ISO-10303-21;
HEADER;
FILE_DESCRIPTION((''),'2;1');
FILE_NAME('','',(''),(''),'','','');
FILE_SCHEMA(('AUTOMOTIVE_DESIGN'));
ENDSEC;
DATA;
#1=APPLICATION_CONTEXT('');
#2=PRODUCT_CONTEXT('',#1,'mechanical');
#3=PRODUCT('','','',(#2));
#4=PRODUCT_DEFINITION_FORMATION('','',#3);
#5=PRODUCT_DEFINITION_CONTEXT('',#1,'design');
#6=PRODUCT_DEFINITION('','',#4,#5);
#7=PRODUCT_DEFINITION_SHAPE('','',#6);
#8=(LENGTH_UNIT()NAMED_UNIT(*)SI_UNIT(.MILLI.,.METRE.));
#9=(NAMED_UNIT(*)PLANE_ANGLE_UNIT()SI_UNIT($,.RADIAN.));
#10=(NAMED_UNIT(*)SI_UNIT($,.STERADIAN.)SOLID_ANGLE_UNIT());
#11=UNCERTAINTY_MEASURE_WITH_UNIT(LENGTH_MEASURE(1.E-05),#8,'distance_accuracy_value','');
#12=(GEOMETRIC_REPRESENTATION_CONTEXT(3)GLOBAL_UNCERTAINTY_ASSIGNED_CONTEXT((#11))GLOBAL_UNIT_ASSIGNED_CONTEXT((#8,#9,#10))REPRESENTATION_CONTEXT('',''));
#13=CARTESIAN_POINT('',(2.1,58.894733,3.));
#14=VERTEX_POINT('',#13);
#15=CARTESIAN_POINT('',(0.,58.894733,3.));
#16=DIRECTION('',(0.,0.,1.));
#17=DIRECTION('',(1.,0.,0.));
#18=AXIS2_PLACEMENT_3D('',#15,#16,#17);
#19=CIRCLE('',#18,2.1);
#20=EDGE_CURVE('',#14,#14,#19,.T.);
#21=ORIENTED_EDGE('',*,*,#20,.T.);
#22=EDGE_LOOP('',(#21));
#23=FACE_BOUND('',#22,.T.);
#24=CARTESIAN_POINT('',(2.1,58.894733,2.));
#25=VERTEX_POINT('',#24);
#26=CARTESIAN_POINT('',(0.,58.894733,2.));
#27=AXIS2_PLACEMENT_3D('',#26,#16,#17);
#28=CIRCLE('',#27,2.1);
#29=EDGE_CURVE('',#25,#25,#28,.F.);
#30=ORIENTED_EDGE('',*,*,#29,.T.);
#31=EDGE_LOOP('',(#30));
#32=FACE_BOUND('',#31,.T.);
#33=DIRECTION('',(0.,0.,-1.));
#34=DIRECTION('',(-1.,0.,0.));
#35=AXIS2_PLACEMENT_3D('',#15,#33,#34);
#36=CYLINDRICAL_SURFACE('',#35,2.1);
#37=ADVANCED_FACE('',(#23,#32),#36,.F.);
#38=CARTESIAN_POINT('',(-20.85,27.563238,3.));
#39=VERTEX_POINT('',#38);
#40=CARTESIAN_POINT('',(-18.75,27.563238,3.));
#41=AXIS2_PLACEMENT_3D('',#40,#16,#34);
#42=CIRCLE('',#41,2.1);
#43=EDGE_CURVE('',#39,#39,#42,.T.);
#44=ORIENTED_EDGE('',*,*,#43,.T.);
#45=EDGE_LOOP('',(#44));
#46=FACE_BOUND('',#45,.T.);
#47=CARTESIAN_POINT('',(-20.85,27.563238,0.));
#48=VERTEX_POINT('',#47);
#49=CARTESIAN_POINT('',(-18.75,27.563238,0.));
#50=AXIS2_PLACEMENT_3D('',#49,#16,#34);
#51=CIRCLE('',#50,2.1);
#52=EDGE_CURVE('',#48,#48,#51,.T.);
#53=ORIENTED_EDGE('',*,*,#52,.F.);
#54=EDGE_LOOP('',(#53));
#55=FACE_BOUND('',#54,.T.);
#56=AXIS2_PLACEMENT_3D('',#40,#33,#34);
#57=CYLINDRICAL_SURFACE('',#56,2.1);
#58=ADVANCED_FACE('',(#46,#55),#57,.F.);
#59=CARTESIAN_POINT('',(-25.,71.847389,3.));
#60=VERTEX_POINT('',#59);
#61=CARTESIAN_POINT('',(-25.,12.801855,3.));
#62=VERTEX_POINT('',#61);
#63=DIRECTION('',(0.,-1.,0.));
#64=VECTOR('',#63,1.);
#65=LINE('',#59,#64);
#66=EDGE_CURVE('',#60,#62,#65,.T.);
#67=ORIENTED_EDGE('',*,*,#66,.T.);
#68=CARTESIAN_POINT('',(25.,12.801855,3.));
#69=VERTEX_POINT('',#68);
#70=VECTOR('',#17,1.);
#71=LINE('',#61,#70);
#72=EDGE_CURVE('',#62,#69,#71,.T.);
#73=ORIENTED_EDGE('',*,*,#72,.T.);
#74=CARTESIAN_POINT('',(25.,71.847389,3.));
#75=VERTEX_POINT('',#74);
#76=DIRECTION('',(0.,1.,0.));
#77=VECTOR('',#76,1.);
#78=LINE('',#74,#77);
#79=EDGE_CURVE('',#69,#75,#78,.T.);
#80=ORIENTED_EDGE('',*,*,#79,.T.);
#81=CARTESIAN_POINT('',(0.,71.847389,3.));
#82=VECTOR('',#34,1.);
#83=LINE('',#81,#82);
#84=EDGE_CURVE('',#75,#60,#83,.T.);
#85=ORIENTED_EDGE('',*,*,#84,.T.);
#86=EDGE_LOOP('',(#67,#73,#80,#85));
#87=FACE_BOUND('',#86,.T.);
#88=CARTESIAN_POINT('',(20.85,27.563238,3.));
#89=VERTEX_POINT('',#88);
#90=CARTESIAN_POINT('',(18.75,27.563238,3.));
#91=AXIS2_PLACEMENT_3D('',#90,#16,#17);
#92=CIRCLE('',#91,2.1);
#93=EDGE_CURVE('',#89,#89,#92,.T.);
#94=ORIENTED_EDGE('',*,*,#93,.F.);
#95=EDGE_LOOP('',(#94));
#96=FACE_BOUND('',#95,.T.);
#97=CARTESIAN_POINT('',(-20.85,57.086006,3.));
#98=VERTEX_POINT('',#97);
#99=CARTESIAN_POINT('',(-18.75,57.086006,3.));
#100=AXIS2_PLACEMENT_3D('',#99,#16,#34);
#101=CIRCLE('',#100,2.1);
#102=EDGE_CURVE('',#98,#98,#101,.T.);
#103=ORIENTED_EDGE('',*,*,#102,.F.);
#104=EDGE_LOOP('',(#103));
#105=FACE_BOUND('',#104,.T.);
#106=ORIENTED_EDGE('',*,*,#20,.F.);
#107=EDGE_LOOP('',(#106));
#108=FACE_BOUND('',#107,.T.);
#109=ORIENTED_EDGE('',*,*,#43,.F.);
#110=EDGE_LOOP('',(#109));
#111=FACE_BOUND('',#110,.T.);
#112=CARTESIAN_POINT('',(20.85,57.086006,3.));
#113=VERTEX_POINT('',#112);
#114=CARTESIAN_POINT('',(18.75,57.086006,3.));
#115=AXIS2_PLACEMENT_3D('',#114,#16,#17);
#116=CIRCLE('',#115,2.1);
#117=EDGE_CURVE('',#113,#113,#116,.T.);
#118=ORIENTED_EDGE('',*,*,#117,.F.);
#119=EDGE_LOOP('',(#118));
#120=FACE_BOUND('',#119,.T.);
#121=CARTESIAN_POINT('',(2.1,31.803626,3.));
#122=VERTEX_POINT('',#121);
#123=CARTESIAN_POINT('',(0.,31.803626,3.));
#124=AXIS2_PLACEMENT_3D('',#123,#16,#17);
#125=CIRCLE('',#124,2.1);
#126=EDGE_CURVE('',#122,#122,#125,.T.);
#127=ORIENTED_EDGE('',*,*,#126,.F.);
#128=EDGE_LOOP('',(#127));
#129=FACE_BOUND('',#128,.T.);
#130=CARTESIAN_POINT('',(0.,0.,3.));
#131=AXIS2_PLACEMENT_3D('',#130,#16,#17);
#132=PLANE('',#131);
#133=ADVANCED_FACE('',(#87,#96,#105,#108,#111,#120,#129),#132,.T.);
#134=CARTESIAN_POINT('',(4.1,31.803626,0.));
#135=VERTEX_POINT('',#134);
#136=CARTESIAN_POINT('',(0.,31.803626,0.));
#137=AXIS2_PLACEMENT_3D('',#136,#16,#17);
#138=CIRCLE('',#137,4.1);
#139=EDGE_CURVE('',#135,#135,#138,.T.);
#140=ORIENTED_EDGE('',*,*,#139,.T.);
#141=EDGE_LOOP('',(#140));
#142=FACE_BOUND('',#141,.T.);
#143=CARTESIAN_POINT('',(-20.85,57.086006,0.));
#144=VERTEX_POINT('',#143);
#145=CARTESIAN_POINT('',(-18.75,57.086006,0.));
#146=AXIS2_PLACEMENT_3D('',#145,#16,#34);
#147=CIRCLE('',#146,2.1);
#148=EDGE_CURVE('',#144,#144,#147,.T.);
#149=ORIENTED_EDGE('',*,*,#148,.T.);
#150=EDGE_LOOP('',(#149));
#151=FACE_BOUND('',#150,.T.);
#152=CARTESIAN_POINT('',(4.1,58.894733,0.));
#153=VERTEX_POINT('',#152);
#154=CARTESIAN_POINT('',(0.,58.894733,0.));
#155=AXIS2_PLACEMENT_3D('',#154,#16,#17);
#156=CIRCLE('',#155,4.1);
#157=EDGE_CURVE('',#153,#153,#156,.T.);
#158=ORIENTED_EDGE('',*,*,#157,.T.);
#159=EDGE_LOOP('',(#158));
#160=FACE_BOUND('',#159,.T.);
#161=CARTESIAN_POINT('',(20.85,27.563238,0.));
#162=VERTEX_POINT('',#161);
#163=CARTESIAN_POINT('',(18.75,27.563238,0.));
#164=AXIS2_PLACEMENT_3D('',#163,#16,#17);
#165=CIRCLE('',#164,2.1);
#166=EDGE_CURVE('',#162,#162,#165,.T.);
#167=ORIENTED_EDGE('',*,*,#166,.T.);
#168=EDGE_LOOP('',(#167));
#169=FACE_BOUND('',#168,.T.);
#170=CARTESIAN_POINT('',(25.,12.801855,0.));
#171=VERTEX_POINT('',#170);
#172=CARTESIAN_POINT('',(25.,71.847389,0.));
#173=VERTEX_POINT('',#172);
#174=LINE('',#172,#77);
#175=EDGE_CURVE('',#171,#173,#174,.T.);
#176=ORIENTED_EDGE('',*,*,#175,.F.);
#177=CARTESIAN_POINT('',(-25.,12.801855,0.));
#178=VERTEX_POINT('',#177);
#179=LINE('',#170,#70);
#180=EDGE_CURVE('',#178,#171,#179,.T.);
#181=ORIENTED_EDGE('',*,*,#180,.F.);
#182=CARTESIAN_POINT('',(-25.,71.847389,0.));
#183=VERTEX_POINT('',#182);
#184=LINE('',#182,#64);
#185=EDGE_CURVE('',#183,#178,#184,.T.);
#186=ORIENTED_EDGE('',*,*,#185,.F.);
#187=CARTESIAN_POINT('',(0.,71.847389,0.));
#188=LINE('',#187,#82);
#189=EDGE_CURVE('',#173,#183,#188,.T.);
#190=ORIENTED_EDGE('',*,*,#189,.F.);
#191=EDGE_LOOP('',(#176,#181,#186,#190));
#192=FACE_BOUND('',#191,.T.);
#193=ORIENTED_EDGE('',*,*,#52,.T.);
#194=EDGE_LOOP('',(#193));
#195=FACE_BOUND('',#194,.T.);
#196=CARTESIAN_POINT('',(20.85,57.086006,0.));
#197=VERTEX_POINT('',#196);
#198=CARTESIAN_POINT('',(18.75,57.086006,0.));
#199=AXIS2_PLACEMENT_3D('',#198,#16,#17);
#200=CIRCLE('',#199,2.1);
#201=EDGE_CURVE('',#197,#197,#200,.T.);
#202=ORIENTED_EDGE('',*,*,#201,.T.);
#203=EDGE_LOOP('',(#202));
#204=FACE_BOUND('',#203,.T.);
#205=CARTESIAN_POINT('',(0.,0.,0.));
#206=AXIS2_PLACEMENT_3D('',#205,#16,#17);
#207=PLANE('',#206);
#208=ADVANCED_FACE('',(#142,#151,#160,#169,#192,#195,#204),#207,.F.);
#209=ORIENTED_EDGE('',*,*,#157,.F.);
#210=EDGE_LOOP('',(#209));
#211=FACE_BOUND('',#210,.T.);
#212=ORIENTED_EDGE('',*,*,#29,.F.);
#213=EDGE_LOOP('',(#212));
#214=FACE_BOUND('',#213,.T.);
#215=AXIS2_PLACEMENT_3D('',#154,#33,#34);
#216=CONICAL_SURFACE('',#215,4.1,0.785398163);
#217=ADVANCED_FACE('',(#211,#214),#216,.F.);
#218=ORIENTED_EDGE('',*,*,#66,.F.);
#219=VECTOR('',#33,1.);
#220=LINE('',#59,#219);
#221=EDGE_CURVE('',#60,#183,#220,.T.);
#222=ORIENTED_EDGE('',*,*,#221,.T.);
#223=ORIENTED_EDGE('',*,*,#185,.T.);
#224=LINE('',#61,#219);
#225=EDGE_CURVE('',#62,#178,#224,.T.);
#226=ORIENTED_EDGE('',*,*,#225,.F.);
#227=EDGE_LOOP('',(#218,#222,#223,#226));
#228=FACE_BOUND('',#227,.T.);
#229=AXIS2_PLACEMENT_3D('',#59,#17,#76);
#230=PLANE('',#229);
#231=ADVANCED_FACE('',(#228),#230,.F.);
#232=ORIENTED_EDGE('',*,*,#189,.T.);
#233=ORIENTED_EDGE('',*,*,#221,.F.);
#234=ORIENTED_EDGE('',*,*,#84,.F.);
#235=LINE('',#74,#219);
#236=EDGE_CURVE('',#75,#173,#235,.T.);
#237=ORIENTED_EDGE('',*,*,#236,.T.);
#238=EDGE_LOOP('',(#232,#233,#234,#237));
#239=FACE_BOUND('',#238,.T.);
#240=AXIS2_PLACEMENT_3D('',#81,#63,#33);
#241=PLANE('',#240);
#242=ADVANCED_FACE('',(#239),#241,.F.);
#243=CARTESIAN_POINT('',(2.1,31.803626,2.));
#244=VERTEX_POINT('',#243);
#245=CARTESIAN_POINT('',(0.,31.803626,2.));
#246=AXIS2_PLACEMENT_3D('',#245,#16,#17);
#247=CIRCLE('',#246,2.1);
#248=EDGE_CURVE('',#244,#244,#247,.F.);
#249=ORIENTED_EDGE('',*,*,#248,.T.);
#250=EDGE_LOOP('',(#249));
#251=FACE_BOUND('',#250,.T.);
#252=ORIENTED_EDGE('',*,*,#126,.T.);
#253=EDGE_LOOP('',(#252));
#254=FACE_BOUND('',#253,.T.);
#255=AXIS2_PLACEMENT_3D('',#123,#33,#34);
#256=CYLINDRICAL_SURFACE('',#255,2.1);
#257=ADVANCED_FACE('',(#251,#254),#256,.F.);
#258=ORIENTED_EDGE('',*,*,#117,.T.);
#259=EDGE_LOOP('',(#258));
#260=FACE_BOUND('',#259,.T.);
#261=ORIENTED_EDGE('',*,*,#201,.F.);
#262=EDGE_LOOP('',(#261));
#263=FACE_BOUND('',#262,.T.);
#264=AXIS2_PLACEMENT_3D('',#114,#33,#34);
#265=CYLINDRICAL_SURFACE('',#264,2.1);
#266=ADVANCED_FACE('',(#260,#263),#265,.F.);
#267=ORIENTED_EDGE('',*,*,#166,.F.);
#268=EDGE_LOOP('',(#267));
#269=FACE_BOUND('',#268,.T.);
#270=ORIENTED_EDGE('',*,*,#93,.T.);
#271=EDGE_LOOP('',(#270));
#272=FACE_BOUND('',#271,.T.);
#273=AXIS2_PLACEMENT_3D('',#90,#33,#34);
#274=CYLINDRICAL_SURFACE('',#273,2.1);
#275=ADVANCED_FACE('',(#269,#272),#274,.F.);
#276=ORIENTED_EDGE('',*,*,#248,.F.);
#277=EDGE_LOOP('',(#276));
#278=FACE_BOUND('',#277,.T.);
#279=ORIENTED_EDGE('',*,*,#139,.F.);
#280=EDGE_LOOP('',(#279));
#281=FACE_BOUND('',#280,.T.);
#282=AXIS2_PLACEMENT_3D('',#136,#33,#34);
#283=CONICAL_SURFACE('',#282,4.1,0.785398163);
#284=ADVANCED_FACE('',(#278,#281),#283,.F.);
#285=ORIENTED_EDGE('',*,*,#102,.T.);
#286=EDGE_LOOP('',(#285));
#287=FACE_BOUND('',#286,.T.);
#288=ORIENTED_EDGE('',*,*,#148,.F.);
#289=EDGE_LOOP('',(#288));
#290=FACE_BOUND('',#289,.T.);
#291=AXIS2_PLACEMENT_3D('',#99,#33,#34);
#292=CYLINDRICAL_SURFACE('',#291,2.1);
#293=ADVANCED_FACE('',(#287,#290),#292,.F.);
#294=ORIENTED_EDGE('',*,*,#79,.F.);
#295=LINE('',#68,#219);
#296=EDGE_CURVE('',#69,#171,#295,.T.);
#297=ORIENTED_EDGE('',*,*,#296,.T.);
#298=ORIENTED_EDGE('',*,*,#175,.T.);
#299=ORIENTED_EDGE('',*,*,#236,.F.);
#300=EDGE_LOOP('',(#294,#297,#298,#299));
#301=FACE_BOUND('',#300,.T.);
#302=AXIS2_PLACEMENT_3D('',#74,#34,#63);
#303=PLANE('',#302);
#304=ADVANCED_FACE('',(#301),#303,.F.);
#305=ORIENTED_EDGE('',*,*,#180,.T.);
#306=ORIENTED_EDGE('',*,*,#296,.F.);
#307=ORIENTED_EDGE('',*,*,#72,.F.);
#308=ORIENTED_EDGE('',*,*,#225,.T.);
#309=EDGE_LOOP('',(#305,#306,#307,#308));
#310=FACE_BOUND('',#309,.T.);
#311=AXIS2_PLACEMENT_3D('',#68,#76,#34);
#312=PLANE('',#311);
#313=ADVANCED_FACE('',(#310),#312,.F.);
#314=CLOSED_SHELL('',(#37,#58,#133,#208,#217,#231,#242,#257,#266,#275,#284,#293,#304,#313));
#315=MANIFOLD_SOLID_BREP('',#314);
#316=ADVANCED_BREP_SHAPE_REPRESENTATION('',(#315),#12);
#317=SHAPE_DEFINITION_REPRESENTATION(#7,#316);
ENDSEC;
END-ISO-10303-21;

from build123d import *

# Parameters (mm, degrees)
SCHIZZO1_R                   = 2.1
ESTRUSIONE_ESTRUSIONE1_DEPTH = 3
SMUSSO1_SIZE                 = 2


with BuildPart() as part:
    # Schizzo1 → Estrusione-Estrusione1 (new body)
    with BuildSketch(Plane.XY):
        Polygon((0, 71.847389048), (25, 71.847389048), (25, 12.801854913), (0, 12.801854913), (-25, 12.801854913), (-25, 71.847389048), align=None)
        with Locations((18.75, 57.086005514)):
            Circle(SCHIZZO1_R, mode=Mode.SUBTRACT)
        with Locations((18.75, 27.563238447)):
            Circle(SCHIZZO1_R, mode=Mode.SUBTRACT)
        with Locations(Location((-18.75, 27.563238447, 0), (0, 0, 180))):
            Circle(SCHIZZO1_R, mode=Mode.SUBTRACT)
        with Locations(Location((-18.75, 57.086005514, 0), (0, 0, 180))):
            Circle(SCHIZZO1_R, mode=Mode.SUBTRACT)
        with Locations((0, 58.89473309)):
            Circle(SCHIZZO1_R, mode=Mode.SUBTRACT)
        with Locations((0, 31.80362551)):
            Circle(SCHIZZO1_R, mode=Mode.SUBTRACT)
    extrude(amount=ESTRUSIONE_ESTRUSIONE1_DEPTH)

    # Smusso1
    smusso1_edges = [part.edges().sort_by_distance(p)[0] for p in [
        (-2.1, 58.89473309, 0),
        (-2.1, 31.80362551, 0),
    ]]
    chamfer(smusso1_edges, length=SMUSSO1_SIZE)


solid = part.part
